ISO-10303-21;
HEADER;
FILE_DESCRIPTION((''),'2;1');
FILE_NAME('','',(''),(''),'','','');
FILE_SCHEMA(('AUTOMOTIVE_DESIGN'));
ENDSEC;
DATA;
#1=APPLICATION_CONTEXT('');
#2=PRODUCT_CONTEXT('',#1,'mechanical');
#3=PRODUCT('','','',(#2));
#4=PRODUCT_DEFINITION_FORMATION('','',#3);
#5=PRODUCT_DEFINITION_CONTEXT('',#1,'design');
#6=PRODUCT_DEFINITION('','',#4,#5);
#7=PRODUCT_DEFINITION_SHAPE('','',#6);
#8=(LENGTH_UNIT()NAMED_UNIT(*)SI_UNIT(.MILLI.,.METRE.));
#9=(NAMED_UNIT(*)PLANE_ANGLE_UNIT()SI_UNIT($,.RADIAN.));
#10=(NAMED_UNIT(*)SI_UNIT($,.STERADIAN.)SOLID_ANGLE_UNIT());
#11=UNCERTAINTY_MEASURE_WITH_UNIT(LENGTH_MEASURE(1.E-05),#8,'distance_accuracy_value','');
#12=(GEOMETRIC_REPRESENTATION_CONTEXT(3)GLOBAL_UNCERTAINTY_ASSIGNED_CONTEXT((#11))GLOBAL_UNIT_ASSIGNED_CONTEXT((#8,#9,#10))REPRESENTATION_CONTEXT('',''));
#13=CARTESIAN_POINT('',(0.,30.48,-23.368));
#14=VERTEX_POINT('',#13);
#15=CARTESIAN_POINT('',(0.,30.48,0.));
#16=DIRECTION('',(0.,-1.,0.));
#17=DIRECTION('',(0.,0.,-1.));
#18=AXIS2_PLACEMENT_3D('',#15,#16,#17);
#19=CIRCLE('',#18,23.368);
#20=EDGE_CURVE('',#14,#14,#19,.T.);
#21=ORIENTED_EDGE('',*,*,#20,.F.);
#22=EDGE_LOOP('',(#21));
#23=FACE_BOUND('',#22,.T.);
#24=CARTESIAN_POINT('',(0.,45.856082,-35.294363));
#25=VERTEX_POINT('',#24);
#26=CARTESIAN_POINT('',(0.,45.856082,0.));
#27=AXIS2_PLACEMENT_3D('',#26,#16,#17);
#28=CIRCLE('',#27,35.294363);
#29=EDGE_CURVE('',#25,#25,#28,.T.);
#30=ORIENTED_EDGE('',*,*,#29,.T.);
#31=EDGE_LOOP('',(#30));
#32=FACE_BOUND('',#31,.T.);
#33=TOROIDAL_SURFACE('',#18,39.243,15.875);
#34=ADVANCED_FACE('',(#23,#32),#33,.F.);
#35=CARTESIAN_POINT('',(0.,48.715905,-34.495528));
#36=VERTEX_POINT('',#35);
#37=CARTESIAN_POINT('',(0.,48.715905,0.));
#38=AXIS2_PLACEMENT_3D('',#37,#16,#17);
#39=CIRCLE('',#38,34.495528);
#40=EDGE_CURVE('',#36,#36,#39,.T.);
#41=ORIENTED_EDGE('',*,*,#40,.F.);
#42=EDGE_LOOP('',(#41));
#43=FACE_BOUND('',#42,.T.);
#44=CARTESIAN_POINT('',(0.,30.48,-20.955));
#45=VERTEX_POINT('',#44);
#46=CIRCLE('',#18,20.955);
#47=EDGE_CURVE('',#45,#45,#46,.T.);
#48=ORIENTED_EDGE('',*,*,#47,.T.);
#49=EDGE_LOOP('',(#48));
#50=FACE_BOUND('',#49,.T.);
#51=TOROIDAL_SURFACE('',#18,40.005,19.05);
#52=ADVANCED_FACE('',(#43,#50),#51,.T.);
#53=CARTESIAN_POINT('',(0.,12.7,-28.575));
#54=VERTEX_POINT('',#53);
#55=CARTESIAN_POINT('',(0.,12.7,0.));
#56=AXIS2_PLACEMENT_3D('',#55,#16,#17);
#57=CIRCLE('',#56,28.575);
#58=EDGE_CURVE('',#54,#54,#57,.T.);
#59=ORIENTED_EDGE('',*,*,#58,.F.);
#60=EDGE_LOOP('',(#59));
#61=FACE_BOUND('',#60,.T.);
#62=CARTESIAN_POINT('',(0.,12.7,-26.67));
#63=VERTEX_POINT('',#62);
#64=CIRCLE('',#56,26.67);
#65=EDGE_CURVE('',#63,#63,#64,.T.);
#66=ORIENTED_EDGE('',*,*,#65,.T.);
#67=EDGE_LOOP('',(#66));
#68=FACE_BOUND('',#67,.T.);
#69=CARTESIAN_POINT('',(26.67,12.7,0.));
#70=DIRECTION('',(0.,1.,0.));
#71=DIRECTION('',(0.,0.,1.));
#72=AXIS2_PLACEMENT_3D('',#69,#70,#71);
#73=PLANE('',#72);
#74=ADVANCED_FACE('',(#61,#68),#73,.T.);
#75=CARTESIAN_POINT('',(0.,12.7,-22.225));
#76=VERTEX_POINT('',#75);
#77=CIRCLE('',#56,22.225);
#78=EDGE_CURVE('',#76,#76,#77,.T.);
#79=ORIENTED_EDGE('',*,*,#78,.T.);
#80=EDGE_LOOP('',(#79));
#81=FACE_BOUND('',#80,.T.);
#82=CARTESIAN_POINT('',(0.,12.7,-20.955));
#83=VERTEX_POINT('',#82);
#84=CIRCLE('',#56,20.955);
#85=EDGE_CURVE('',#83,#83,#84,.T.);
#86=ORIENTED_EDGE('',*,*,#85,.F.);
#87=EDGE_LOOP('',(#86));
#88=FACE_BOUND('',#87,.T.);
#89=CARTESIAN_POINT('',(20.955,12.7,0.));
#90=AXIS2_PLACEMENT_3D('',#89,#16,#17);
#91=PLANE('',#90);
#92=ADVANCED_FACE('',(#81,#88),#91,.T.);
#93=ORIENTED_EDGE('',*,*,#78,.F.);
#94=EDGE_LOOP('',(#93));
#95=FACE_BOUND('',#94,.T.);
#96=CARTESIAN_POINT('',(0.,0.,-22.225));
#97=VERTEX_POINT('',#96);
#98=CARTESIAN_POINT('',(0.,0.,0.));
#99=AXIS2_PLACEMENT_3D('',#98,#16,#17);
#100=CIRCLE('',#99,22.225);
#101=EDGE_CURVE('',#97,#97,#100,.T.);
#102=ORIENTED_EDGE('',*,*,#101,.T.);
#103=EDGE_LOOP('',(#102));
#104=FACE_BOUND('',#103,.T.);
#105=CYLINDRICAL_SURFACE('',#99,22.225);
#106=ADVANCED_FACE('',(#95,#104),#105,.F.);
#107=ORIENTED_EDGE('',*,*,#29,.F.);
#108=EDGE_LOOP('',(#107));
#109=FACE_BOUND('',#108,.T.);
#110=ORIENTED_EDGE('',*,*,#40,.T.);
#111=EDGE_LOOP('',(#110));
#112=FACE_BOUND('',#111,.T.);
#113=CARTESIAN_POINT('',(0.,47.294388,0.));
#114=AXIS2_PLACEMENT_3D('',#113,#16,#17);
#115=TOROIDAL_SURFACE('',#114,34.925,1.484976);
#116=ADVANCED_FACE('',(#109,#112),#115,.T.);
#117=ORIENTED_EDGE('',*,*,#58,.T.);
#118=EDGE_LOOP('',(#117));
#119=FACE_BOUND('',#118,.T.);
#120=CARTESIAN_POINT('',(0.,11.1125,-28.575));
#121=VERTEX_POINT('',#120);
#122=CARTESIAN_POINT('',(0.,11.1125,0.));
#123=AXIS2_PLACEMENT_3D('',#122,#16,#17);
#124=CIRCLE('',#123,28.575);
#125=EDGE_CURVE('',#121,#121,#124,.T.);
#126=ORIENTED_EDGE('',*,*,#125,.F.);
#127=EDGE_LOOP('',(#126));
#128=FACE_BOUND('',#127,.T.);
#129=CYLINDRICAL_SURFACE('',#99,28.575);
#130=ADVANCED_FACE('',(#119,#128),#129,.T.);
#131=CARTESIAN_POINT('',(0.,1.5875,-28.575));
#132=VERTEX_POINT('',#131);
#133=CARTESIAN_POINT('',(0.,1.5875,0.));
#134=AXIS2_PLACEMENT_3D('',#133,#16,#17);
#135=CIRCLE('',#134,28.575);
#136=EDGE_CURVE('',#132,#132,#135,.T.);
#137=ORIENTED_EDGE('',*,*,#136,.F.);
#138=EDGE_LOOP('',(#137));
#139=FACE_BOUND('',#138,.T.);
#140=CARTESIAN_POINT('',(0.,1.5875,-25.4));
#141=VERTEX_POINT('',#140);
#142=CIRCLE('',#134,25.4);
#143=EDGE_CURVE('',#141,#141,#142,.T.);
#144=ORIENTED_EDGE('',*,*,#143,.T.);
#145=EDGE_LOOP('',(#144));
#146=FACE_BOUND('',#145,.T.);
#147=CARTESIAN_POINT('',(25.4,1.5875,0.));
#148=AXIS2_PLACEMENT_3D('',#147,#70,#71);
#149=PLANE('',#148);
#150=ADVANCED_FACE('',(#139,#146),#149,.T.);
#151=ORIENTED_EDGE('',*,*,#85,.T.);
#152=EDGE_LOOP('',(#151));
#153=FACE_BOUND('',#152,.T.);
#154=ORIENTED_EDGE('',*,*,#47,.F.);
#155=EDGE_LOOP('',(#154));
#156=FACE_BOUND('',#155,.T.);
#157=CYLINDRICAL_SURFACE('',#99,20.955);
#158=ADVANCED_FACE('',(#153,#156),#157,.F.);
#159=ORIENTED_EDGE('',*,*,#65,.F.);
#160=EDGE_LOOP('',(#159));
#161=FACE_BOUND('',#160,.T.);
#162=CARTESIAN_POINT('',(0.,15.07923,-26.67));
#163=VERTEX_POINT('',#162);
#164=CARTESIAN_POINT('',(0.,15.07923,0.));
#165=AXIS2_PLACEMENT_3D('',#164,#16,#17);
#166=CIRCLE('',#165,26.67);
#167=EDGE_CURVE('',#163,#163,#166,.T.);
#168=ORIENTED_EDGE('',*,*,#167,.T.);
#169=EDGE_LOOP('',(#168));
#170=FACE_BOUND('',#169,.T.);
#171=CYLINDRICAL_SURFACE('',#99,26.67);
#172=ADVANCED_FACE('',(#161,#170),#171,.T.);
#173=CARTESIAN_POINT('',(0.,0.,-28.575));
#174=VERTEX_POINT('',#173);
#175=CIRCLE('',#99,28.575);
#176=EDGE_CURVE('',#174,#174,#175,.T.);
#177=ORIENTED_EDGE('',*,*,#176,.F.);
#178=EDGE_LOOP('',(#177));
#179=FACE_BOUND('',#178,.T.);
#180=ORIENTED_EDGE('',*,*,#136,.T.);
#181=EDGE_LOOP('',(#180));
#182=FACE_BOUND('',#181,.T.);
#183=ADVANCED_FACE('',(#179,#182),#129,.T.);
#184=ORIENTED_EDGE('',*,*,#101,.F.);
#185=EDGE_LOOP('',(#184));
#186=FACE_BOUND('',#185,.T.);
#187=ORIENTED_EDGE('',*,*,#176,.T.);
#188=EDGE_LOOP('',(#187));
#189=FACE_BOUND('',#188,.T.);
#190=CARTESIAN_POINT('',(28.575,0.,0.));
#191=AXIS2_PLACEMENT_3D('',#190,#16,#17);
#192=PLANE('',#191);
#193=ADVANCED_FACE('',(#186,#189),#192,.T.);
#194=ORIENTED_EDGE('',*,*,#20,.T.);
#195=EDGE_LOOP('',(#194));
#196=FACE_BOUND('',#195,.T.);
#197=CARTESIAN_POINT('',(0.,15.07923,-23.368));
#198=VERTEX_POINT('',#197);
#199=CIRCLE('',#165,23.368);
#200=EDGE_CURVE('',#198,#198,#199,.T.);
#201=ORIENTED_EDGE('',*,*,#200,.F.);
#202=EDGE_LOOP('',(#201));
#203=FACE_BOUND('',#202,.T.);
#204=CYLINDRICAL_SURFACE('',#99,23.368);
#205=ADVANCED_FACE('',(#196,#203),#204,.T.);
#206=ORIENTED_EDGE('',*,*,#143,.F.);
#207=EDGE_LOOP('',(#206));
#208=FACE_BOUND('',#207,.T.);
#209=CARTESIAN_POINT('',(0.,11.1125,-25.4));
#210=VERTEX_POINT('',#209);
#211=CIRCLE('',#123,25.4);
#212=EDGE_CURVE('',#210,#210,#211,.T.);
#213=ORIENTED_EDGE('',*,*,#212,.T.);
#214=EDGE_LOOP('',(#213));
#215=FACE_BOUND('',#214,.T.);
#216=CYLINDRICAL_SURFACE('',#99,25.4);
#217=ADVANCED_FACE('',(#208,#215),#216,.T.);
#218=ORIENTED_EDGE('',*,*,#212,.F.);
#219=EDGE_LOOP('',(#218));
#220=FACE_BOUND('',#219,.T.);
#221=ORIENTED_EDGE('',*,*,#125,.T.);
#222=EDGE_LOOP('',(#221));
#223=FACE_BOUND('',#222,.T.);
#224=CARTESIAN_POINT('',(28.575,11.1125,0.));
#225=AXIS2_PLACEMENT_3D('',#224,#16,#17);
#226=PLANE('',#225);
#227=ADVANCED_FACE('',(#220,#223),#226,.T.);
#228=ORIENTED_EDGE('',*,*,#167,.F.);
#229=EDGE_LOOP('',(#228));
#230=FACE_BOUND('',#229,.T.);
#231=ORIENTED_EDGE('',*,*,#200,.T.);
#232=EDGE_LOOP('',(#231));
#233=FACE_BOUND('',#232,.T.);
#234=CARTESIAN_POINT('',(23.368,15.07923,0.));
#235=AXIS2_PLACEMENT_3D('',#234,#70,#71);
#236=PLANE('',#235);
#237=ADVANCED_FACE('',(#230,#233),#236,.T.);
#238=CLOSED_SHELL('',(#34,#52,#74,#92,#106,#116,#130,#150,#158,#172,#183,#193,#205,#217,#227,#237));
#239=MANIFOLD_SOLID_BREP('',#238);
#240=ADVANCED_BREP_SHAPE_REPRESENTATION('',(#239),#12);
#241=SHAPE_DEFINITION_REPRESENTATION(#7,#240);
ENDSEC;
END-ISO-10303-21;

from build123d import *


with BuildPart() as part:
    # Sketch2 → Revolve1 (revolve)
    with BuildSketch(Plane.XY, mode=Mode.PRIVATE) as revolve1_sk:
        with BuildLine():
            Line((20.955, 30.48), (20.955, 12.7))
            Line((20.955, 12.7), (22.225, 12.7))
            Line((22.225, 12.7), (22.225, 0))
            Line((22.225, 0), (28.575, 0))
            Line((28.575, 0), (28.575, 1.5875))
            Line((28.575, 1.5875), (25.4, 1.5875))
            Line((25.4, 1.5875), (25.4, 11.1125))
            Line((25.4, 11.1125), (28.575, 11.1125))
            Line((28.575, 11.1125), (28.575, 12.7))
            Line((28.575, 12.7), (26.67, 12.7))
            Line((26.67, 12.7), (26.67, 15.079229731))
            Line((26.67, 15.079229731), (23.368, 15.079229731))
            Line((23.368, 15.079229731), (23.368, 30.48))
            ThreePointArc((23.368, 30.48), (26.699072346, 40.209619932), (35.294362711, 45.856081704))
            ThreePointArc((35.294362711, 45.856081704), (36.355227336, 47.693893747), (34.495528336, 48.715904748))
            ThreePointArc((34.495528336, 48.715904748), (24.710263402, 41.836651461), (20.955, 30.48))
        make_face()
    revolve(revolve1_sk.sketch.rotate(Axis((0, 0, 0), (0, 1, 0)), 90), axis=Axis((0, 0, 0), (0, 1, 0)))


solid = part.part
